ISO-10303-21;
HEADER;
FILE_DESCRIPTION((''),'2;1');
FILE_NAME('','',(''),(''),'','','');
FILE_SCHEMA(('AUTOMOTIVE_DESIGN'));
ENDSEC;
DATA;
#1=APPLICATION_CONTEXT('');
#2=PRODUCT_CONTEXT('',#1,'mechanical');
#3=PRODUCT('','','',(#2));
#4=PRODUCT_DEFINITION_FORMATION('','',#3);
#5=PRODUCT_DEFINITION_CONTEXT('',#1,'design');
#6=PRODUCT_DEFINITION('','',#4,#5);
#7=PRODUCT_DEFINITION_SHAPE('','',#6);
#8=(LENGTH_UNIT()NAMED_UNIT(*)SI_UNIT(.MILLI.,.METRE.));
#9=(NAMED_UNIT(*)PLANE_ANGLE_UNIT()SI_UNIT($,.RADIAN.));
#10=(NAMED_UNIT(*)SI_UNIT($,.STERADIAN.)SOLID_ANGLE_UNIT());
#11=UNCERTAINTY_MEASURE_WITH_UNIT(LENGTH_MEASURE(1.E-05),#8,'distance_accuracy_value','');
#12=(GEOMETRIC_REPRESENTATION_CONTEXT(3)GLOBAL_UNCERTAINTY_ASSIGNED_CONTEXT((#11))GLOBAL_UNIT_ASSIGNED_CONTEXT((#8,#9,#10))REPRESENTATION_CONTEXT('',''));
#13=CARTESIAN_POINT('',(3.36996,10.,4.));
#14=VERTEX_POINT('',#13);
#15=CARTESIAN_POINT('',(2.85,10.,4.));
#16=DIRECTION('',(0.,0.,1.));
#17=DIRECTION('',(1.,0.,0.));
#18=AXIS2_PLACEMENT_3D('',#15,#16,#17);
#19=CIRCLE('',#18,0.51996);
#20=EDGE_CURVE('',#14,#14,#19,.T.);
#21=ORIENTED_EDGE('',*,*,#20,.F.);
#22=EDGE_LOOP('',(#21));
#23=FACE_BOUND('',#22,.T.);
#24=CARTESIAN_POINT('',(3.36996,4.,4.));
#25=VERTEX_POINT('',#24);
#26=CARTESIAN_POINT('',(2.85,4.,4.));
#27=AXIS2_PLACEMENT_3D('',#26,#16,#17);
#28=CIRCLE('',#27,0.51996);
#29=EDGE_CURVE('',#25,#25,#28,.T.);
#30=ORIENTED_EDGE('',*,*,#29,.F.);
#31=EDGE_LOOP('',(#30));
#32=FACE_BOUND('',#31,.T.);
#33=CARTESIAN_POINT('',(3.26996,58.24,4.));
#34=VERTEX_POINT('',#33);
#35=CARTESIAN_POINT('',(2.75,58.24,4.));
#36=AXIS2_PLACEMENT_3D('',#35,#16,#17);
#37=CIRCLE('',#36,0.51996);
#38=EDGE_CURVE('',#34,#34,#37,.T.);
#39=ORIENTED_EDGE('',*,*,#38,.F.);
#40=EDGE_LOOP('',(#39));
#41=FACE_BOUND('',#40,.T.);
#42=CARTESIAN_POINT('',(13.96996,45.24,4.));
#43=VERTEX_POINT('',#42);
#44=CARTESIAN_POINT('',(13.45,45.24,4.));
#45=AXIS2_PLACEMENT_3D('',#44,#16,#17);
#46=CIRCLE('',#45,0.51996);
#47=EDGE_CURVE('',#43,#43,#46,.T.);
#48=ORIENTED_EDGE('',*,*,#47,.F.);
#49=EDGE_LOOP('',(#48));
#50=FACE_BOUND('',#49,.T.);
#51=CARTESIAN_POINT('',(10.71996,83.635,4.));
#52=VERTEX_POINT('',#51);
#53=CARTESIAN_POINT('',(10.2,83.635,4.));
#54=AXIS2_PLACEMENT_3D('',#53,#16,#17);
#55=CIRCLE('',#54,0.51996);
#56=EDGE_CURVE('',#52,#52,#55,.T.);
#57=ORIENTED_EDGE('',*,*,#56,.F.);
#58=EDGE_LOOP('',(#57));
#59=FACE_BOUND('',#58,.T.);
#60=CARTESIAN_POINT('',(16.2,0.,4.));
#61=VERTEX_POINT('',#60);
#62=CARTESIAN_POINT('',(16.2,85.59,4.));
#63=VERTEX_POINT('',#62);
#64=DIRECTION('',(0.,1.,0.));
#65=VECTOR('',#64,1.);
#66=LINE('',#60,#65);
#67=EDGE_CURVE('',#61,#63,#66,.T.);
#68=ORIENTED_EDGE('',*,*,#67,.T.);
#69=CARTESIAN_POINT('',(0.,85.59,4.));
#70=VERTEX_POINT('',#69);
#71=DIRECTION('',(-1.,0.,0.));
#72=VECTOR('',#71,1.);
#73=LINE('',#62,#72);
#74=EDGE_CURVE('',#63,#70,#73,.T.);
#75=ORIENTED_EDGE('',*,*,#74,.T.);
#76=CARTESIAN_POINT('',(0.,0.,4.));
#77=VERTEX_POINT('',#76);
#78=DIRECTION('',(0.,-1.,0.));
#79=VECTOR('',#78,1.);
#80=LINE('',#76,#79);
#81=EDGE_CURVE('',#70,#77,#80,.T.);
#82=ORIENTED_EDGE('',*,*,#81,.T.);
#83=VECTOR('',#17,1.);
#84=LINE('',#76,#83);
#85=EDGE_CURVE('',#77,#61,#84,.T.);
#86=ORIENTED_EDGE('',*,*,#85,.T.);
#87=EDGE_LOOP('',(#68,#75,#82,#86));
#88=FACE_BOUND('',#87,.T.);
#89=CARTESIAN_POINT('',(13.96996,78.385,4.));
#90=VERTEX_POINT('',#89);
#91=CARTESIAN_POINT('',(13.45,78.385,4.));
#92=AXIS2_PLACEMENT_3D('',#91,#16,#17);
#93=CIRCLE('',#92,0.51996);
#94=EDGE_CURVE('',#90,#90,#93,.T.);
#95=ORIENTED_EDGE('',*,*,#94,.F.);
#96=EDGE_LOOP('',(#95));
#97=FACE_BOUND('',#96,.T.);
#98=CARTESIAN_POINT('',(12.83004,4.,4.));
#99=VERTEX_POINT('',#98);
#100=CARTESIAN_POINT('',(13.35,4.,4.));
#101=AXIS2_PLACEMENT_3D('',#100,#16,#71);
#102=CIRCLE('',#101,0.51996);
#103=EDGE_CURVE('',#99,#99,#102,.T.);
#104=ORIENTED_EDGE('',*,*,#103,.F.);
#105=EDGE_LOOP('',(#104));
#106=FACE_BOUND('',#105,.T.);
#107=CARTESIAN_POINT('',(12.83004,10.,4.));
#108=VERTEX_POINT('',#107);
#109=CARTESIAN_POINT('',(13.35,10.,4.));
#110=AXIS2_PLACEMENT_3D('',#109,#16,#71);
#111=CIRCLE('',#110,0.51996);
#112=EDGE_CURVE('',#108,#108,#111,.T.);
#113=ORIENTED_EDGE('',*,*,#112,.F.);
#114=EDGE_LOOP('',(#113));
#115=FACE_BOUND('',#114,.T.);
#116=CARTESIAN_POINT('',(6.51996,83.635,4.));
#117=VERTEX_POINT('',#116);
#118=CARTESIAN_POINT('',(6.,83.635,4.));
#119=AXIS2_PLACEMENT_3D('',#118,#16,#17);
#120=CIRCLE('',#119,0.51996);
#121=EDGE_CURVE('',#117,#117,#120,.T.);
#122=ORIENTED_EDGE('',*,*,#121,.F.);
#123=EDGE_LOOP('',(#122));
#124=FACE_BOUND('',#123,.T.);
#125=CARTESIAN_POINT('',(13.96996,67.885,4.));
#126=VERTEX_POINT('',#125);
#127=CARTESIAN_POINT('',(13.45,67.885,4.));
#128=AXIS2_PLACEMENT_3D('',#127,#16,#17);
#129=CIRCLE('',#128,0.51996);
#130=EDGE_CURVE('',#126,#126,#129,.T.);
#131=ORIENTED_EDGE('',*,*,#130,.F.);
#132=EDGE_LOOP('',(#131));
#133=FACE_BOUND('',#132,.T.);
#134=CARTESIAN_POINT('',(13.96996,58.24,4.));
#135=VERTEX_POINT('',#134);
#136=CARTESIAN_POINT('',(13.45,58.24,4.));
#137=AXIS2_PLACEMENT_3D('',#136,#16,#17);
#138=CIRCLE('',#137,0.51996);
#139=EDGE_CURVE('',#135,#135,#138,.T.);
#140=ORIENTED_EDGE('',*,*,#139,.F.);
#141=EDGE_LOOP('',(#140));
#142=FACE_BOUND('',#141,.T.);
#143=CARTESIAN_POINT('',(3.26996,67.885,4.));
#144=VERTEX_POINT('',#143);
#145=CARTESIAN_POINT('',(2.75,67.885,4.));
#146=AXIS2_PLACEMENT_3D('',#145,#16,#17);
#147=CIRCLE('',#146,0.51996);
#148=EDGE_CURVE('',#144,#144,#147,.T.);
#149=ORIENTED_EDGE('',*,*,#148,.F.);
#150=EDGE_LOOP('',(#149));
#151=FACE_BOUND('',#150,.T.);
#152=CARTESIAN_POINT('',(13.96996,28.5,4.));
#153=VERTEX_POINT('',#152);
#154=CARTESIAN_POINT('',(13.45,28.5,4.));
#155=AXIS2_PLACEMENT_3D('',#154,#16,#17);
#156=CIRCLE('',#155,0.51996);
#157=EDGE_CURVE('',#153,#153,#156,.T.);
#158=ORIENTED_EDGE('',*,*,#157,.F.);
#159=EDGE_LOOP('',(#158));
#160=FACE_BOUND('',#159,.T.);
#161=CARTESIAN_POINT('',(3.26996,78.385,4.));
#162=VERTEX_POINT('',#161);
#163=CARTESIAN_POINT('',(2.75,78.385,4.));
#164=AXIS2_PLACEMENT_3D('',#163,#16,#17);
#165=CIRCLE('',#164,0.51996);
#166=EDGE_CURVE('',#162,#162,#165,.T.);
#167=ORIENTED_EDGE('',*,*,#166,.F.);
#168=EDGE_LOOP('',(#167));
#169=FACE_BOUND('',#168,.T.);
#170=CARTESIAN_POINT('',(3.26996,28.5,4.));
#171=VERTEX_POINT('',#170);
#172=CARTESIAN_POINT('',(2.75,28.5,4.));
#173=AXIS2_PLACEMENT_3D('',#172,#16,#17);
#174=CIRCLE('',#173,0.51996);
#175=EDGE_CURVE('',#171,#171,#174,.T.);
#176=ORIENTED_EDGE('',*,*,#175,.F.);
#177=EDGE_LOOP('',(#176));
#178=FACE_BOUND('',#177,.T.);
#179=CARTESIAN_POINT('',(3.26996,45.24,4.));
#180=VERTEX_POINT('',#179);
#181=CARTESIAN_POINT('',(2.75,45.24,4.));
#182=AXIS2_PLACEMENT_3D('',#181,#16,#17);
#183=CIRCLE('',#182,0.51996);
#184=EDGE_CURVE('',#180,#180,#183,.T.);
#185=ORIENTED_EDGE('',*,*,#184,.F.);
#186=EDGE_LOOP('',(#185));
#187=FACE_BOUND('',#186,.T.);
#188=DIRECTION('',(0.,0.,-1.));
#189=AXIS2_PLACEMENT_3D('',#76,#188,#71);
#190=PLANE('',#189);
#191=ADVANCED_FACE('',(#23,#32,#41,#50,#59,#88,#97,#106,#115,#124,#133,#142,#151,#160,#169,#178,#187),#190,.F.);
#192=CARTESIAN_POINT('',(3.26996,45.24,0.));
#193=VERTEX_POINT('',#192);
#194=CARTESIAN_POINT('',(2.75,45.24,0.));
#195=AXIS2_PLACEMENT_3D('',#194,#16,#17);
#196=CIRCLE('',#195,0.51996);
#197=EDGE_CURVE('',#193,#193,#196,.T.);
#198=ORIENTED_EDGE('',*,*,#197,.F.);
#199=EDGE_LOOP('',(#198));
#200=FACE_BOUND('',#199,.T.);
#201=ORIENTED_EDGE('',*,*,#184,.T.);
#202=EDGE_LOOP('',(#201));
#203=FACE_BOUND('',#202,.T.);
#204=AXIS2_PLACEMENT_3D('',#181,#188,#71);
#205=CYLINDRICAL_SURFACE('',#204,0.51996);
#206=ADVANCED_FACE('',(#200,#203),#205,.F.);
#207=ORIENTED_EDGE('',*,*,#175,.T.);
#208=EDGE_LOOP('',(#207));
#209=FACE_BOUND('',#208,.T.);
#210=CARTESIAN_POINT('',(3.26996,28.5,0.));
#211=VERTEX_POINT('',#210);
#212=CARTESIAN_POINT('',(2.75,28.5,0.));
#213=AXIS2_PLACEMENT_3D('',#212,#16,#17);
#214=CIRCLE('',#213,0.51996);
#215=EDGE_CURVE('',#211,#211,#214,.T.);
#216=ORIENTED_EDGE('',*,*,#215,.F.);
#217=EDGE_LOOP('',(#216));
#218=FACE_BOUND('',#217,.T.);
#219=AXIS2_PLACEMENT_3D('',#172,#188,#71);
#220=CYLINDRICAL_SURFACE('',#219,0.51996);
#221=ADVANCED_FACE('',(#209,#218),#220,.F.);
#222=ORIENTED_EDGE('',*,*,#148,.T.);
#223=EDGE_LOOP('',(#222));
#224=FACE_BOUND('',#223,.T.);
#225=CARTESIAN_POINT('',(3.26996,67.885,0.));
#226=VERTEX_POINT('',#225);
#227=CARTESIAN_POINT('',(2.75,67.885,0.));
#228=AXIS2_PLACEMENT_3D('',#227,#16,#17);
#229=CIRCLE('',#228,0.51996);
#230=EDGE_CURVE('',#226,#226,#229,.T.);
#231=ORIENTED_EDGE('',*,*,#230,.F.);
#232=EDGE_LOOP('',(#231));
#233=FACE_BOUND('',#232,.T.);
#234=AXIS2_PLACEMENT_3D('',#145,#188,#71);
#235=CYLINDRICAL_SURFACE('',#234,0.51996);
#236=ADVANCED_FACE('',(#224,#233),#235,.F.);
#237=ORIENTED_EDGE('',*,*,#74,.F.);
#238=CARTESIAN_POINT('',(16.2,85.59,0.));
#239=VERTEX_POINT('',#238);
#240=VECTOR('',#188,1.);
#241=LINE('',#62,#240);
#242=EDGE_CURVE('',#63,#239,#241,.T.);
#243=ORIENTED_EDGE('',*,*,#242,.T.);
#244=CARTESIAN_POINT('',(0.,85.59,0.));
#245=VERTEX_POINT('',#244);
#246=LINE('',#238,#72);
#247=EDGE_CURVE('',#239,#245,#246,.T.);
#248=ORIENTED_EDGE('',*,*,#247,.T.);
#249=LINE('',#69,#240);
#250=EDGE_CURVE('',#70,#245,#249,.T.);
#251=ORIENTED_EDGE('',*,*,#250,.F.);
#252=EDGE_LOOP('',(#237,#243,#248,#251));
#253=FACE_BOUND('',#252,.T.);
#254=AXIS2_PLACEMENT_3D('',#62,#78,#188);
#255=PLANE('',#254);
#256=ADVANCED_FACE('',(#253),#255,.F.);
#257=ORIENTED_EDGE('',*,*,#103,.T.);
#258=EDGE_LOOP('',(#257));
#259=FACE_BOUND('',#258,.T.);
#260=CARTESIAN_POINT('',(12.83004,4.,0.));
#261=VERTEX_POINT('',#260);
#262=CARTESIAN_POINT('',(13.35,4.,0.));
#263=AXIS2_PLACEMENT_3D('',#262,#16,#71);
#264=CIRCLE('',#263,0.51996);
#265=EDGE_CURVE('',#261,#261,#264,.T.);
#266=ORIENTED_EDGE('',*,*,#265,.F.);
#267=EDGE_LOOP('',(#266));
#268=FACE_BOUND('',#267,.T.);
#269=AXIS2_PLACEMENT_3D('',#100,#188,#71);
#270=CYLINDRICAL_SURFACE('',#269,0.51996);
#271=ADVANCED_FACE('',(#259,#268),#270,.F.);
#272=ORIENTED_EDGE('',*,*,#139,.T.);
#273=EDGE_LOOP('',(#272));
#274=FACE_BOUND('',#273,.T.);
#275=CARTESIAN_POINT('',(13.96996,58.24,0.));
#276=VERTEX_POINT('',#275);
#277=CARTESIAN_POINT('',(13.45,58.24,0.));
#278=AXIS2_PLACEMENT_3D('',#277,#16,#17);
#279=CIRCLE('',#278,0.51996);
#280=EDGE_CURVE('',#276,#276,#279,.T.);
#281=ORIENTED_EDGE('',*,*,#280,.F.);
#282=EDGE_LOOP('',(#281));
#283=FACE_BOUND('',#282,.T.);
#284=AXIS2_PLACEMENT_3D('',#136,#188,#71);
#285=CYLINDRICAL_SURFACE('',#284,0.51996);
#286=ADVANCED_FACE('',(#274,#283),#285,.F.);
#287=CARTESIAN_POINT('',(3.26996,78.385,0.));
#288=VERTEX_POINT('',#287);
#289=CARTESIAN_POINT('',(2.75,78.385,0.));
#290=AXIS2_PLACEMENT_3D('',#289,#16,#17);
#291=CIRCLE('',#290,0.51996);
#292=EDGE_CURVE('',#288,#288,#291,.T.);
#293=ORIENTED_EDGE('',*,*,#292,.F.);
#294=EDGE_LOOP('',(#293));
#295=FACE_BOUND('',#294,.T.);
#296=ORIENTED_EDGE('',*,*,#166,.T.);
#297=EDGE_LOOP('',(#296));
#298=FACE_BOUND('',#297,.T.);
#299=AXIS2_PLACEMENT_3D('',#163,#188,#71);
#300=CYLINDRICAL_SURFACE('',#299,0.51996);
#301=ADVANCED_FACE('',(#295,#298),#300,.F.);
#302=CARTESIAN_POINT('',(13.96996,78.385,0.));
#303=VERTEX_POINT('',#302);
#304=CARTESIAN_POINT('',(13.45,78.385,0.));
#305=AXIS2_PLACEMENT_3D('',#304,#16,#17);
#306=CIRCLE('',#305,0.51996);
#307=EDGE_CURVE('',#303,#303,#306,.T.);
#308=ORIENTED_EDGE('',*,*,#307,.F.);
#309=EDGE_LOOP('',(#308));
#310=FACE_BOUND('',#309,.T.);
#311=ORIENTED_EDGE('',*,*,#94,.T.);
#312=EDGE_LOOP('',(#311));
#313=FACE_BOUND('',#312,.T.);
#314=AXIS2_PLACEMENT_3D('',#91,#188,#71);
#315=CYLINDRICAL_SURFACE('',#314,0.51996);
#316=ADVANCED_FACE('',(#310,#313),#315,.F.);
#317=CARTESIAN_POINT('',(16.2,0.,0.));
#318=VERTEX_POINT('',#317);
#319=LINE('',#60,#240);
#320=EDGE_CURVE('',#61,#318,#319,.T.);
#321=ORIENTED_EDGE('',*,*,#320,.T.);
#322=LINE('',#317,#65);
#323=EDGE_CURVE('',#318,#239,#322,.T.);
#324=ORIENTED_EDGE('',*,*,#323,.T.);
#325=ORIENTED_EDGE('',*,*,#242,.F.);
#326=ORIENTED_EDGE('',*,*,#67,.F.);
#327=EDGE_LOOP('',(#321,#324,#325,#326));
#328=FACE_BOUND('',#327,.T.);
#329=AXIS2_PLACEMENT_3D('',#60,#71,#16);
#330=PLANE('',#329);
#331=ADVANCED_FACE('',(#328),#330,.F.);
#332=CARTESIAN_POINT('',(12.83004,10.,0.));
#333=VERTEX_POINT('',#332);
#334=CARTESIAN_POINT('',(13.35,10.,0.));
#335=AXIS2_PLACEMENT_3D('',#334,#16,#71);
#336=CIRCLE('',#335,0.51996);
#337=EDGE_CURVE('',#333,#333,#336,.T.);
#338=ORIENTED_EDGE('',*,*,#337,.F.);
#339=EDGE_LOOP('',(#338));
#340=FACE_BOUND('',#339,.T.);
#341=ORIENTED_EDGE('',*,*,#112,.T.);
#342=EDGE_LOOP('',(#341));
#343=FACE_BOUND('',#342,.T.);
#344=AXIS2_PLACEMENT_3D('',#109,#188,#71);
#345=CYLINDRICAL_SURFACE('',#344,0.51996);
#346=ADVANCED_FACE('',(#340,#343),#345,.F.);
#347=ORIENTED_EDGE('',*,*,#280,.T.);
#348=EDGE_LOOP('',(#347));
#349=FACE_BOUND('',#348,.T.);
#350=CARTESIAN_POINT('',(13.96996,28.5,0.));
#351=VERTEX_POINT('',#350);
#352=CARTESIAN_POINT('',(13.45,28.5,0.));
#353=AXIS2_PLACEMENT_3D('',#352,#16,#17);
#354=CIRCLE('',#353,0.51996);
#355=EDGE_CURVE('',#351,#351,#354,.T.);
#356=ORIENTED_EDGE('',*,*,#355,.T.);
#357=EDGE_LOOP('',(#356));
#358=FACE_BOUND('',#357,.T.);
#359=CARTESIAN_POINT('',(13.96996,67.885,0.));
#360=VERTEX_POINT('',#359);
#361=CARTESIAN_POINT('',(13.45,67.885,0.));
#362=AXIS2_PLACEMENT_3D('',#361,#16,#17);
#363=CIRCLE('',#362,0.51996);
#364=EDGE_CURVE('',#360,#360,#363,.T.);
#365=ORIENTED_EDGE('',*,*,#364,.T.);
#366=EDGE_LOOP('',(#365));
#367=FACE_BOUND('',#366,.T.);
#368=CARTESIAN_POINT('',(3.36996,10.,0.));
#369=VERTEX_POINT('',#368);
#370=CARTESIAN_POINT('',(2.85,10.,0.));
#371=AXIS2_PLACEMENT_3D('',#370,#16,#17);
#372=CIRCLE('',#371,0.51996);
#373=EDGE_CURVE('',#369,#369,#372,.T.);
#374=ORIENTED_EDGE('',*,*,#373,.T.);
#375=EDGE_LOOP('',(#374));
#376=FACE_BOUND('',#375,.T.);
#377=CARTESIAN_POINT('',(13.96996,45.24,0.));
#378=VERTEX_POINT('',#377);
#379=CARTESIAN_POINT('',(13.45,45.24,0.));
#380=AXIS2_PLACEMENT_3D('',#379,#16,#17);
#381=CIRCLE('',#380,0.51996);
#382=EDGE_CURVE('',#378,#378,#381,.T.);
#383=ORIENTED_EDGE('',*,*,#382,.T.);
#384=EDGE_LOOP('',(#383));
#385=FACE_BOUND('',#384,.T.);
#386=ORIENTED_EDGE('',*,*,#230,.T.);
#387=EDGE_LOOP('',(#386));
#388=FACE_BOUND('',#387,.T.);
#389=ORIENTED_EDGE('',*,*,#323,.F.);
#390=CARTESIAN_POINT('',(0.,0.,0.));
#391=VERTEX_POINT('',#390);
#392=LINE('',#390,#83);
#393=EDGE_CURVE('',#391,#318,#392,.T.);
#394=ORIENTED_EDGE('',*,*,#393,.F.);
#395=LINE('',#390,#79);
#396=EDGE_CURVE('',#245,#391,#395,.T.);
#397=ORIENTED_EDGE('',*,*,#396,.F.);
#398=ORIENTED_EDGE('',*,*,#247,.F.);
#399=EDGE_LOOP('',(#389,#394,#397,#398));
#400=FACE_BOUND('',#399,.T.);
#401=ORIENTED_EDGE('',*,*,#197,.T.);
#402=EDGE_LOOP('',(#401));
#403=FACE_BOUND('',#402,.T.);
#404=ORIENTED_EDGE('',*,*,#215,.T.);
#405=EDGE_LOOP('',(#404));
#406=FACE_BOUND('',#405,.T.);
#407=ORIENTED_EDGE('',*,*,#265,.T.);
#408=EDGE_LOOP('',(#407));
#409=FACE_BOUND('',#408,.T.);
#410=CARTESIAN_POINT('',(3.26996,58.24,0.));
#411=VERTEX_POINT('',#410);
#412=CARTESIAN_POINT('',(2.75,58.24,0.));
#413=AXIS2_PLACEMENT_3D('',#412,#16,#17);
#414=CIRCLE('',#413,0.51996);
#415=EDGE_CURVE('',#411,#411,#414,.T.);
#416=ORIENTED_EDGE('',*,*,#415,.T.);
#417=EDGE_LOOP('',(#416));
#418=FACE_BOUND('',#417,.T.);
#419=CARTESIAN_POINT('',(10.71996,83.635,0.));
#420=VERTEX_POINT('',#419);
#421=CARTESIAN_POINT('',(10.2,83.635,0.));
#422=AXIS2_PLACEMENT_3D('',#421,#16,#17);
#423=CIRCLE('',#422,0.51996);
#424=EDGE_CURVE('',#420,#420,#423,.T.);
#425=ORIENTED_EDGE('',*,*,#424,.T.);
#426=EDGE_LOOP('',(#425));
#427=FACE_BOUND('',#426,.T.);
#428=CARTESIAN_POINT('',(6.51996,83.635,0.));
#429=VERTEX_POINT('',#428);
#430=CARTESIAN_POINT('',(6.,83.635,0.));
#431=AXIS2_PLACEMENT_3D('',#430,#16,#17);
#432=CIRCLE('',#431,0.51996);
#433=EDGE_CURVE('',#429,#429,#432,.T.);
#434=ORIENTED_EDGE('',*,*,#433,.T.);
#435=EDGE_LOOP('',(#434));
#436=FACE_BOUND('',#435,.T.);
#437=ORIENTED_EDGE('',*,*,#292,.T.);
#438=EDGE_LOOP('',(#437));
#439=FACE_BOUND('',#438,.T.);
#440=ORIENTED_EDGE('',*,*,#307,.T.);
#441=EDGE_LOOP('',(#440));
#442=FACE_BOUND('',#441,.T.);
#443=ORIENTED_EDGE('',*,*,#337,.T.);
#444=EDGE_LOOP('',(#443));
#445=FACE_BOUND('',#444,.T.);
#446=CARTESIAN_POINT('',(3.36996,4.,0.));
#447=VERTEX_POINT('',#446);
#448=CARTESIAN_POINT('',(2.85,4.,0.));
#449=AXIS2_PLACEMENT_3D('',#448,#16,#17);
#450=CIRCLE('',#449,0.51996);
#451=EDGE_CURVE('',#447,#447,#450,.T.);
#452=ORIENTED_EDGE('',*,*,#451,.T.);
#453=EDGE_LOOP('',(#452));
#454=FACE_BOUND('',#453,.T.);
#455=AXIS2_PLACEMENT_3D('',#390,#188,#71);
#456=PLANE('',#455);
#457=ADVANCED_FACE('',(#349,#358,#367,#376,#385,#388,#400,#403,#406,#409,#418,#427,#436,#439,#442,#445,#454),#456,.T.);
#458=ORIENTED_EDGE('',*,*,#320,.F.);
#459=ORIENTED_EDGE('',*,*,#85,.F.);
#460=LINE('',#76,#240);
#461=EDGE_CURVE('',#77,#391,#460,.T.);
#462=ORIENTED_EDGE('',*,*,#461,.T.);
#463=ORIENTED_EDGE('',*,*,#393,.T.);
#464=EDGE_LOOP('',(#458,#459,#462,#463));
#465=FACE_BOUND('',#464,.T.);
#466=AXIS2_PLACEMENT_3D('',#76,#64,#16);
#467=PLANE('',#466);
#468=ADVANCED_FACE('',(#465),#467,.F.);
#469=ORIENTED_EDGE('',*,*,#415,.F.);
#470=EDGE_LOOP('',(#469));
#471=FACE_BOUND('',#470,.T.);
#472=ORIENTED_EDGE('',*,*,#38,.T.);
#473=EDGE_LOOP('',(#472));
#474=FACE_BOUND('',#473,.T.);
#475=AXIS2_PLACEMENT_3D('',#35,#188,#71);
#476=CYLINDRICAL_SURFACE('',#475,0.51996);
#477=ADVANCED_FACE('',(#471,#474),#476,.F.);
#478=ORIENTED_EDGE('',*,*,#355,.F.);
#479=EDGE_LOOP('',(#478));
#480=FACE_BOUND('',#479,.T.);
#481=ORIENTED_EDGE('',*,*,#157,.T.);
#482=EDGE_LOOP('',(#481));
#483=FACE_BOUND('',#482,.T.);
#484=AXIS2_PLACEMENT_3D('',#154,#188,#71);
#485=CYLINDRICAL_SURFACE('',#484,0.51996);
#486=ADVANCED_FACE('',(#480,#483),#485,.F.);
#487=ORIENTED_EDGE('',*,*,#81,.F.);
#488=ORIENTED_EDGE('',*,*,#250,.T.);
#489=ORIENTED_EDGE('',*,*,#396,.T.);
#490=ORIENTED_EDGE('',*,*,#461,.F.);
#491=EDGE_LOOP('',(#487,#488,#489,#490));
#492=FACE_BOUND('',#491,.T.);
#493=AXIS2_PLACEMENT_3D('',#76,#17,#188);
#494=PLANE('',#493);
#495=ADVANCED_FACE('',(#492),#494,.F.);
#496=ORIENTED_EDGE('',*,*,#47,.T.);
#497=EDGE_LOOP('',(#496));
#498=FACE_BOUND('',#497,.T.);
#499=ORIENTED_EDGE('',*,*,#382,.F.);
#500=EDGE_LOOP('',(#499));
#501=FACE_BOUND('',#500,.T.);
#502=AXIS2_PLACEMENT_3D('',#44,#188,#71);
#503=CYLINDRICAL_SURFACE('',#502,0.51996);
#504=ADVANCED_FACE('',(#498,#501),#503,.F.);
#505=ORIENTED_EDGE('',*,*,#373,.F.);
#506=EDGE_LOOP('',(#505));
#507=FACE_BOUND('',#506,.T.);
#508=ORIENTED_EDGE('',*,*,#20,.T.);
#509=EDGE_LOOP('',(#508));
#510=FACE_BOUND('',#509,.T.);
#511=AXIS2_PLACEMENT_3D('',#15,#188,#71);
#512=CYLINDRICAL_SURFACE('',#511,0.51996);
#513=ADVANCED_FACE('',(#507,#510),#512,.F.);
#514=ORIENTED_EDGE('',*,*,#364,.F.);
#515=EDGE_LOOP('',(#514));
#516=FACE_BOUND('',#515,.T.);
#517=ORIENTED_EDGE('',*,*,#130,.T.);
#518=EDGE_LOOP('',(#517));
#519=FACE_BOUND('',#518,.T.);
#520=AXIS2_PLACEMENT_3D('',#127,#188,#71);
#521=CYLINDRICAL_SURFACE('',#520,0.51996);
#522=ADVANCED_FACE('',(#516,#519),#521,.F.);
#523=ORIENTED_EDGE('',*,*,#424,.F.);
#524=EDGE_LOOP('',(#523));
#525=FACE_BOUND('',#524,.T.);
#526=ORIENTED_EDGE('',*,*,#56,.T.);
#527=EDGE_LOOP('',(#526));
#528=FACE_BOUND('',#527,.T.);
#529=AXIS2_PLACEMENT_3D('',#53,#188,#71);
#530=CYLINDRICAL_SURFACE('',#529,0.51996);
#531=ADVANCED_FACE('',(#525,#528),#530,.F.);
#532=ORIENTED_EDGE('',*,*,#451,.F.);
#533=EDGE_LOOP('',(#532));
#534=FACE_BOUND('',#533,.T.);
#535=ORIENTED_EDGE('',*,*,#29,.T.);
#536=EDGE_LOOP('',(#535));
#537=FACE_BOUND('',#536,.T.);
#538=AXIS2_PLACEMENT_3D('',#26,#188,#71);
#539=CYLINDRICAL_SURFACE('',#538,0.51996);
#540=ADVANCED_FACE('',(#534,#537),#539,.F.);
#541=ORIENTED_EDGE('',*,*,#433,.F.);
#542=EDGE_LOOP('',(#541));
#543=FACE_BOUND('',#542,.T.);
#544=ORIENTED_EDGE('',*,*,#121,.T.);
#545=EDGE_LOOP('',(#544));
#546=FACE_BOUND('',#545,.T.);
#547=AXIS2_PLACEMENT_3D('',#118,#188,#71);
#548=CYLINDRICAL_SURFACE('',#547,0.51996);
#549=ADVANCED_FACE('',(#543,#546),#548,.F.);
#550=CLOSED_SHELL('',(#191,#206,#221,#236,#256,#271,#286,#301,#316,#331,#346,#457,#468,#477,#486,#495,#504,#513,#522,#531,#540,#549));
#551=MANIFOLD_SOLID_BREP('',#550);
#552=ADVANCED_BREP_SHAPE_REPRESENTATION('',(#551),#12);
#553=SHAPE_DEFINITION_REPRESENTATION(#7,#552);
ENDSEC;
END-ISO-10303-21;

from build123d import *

# Parameters (mm, degrees)
SKETCH1_W           = 16.2
SKETCH1_H           = 85.59
SKETCH1_R           = 0.519960121
BOSS_EXTRUDE1_DEPTH = 4


with BuildPart() as part:
    # Sketch1 → Boss-Extrude1 (new body)
    with BuildSketch(Plane.XY):
        with Locations((8.1, 42.795)):
            Rectangle(SKETCH1_W, SKETCH1_H)
        with Locations((13.45, 45.24)):
            Circle(SKETCH1_R, mode=Mode.SUBTRACT)
        with Locations((2.75, 67.885)):
            Circle(SKETCH1_R, mode=Mode.SUBTRACT)
        with Locations((13.45, 58.24)):
            Circle(SKETCH1_R, mode=Mode.SUBTRACT)
        with Locations((13.45, 78.385)):
            Circle(SKETCH1_R, mode=Mode.SUBTRACT)
        with Locations((2.75, 28.5)):
            Circle(SKETCH1_R, mode=Mode.SUBTRACT)
        with Locations((2.75, 78.385)):
            Circle(SKETCH1_R, mode=Mode.SUBTRACT)
        with Locations((2.75, 58.24)):
            Circle(SKETCH1_R, mode=Mode.SUBTRACT)
        with Locations((2.85, 10)):
            Circle(SKETCH1_R, mode=Mode.SUBTRACT)
        with Locations((13.35, 10)):
            Circle(SKETCH1_R, mode=Mode.SUBTRACT)
        with Locations((13.35, 4)):
            Circle(SKETCH1_R, mode=Mode.SUBTRACT)
        with Locations((2.85, 4)):
            Circle(SKETCH1_R, mode=Mode.SUBTRACT)
        with Locations((6, 83.635)):
            Circle(SKETCH1_R, mode=Mode.SUBTRACT)
        with Locations((13.45, 28.5)):
            Circle(SKETCH1_R, mode=Mode.SUBTRACT)
        with Locations((13.45, 67.885)):
            Circle(SKETCH1_R, mode=Mode.SUBTRACT)
        with Locations((10.2, 83.635)):
            Circle(SKETCH1_R, mode=Mode.SUBTRACT)
        with Locations((2.75, 45.24)):
            Circle(SKETCH1_R, mode=Mode.SUBTRACT)
    extrude(amount=BOSS_EXTRUDE1_DEPTH)


solid = part.part
